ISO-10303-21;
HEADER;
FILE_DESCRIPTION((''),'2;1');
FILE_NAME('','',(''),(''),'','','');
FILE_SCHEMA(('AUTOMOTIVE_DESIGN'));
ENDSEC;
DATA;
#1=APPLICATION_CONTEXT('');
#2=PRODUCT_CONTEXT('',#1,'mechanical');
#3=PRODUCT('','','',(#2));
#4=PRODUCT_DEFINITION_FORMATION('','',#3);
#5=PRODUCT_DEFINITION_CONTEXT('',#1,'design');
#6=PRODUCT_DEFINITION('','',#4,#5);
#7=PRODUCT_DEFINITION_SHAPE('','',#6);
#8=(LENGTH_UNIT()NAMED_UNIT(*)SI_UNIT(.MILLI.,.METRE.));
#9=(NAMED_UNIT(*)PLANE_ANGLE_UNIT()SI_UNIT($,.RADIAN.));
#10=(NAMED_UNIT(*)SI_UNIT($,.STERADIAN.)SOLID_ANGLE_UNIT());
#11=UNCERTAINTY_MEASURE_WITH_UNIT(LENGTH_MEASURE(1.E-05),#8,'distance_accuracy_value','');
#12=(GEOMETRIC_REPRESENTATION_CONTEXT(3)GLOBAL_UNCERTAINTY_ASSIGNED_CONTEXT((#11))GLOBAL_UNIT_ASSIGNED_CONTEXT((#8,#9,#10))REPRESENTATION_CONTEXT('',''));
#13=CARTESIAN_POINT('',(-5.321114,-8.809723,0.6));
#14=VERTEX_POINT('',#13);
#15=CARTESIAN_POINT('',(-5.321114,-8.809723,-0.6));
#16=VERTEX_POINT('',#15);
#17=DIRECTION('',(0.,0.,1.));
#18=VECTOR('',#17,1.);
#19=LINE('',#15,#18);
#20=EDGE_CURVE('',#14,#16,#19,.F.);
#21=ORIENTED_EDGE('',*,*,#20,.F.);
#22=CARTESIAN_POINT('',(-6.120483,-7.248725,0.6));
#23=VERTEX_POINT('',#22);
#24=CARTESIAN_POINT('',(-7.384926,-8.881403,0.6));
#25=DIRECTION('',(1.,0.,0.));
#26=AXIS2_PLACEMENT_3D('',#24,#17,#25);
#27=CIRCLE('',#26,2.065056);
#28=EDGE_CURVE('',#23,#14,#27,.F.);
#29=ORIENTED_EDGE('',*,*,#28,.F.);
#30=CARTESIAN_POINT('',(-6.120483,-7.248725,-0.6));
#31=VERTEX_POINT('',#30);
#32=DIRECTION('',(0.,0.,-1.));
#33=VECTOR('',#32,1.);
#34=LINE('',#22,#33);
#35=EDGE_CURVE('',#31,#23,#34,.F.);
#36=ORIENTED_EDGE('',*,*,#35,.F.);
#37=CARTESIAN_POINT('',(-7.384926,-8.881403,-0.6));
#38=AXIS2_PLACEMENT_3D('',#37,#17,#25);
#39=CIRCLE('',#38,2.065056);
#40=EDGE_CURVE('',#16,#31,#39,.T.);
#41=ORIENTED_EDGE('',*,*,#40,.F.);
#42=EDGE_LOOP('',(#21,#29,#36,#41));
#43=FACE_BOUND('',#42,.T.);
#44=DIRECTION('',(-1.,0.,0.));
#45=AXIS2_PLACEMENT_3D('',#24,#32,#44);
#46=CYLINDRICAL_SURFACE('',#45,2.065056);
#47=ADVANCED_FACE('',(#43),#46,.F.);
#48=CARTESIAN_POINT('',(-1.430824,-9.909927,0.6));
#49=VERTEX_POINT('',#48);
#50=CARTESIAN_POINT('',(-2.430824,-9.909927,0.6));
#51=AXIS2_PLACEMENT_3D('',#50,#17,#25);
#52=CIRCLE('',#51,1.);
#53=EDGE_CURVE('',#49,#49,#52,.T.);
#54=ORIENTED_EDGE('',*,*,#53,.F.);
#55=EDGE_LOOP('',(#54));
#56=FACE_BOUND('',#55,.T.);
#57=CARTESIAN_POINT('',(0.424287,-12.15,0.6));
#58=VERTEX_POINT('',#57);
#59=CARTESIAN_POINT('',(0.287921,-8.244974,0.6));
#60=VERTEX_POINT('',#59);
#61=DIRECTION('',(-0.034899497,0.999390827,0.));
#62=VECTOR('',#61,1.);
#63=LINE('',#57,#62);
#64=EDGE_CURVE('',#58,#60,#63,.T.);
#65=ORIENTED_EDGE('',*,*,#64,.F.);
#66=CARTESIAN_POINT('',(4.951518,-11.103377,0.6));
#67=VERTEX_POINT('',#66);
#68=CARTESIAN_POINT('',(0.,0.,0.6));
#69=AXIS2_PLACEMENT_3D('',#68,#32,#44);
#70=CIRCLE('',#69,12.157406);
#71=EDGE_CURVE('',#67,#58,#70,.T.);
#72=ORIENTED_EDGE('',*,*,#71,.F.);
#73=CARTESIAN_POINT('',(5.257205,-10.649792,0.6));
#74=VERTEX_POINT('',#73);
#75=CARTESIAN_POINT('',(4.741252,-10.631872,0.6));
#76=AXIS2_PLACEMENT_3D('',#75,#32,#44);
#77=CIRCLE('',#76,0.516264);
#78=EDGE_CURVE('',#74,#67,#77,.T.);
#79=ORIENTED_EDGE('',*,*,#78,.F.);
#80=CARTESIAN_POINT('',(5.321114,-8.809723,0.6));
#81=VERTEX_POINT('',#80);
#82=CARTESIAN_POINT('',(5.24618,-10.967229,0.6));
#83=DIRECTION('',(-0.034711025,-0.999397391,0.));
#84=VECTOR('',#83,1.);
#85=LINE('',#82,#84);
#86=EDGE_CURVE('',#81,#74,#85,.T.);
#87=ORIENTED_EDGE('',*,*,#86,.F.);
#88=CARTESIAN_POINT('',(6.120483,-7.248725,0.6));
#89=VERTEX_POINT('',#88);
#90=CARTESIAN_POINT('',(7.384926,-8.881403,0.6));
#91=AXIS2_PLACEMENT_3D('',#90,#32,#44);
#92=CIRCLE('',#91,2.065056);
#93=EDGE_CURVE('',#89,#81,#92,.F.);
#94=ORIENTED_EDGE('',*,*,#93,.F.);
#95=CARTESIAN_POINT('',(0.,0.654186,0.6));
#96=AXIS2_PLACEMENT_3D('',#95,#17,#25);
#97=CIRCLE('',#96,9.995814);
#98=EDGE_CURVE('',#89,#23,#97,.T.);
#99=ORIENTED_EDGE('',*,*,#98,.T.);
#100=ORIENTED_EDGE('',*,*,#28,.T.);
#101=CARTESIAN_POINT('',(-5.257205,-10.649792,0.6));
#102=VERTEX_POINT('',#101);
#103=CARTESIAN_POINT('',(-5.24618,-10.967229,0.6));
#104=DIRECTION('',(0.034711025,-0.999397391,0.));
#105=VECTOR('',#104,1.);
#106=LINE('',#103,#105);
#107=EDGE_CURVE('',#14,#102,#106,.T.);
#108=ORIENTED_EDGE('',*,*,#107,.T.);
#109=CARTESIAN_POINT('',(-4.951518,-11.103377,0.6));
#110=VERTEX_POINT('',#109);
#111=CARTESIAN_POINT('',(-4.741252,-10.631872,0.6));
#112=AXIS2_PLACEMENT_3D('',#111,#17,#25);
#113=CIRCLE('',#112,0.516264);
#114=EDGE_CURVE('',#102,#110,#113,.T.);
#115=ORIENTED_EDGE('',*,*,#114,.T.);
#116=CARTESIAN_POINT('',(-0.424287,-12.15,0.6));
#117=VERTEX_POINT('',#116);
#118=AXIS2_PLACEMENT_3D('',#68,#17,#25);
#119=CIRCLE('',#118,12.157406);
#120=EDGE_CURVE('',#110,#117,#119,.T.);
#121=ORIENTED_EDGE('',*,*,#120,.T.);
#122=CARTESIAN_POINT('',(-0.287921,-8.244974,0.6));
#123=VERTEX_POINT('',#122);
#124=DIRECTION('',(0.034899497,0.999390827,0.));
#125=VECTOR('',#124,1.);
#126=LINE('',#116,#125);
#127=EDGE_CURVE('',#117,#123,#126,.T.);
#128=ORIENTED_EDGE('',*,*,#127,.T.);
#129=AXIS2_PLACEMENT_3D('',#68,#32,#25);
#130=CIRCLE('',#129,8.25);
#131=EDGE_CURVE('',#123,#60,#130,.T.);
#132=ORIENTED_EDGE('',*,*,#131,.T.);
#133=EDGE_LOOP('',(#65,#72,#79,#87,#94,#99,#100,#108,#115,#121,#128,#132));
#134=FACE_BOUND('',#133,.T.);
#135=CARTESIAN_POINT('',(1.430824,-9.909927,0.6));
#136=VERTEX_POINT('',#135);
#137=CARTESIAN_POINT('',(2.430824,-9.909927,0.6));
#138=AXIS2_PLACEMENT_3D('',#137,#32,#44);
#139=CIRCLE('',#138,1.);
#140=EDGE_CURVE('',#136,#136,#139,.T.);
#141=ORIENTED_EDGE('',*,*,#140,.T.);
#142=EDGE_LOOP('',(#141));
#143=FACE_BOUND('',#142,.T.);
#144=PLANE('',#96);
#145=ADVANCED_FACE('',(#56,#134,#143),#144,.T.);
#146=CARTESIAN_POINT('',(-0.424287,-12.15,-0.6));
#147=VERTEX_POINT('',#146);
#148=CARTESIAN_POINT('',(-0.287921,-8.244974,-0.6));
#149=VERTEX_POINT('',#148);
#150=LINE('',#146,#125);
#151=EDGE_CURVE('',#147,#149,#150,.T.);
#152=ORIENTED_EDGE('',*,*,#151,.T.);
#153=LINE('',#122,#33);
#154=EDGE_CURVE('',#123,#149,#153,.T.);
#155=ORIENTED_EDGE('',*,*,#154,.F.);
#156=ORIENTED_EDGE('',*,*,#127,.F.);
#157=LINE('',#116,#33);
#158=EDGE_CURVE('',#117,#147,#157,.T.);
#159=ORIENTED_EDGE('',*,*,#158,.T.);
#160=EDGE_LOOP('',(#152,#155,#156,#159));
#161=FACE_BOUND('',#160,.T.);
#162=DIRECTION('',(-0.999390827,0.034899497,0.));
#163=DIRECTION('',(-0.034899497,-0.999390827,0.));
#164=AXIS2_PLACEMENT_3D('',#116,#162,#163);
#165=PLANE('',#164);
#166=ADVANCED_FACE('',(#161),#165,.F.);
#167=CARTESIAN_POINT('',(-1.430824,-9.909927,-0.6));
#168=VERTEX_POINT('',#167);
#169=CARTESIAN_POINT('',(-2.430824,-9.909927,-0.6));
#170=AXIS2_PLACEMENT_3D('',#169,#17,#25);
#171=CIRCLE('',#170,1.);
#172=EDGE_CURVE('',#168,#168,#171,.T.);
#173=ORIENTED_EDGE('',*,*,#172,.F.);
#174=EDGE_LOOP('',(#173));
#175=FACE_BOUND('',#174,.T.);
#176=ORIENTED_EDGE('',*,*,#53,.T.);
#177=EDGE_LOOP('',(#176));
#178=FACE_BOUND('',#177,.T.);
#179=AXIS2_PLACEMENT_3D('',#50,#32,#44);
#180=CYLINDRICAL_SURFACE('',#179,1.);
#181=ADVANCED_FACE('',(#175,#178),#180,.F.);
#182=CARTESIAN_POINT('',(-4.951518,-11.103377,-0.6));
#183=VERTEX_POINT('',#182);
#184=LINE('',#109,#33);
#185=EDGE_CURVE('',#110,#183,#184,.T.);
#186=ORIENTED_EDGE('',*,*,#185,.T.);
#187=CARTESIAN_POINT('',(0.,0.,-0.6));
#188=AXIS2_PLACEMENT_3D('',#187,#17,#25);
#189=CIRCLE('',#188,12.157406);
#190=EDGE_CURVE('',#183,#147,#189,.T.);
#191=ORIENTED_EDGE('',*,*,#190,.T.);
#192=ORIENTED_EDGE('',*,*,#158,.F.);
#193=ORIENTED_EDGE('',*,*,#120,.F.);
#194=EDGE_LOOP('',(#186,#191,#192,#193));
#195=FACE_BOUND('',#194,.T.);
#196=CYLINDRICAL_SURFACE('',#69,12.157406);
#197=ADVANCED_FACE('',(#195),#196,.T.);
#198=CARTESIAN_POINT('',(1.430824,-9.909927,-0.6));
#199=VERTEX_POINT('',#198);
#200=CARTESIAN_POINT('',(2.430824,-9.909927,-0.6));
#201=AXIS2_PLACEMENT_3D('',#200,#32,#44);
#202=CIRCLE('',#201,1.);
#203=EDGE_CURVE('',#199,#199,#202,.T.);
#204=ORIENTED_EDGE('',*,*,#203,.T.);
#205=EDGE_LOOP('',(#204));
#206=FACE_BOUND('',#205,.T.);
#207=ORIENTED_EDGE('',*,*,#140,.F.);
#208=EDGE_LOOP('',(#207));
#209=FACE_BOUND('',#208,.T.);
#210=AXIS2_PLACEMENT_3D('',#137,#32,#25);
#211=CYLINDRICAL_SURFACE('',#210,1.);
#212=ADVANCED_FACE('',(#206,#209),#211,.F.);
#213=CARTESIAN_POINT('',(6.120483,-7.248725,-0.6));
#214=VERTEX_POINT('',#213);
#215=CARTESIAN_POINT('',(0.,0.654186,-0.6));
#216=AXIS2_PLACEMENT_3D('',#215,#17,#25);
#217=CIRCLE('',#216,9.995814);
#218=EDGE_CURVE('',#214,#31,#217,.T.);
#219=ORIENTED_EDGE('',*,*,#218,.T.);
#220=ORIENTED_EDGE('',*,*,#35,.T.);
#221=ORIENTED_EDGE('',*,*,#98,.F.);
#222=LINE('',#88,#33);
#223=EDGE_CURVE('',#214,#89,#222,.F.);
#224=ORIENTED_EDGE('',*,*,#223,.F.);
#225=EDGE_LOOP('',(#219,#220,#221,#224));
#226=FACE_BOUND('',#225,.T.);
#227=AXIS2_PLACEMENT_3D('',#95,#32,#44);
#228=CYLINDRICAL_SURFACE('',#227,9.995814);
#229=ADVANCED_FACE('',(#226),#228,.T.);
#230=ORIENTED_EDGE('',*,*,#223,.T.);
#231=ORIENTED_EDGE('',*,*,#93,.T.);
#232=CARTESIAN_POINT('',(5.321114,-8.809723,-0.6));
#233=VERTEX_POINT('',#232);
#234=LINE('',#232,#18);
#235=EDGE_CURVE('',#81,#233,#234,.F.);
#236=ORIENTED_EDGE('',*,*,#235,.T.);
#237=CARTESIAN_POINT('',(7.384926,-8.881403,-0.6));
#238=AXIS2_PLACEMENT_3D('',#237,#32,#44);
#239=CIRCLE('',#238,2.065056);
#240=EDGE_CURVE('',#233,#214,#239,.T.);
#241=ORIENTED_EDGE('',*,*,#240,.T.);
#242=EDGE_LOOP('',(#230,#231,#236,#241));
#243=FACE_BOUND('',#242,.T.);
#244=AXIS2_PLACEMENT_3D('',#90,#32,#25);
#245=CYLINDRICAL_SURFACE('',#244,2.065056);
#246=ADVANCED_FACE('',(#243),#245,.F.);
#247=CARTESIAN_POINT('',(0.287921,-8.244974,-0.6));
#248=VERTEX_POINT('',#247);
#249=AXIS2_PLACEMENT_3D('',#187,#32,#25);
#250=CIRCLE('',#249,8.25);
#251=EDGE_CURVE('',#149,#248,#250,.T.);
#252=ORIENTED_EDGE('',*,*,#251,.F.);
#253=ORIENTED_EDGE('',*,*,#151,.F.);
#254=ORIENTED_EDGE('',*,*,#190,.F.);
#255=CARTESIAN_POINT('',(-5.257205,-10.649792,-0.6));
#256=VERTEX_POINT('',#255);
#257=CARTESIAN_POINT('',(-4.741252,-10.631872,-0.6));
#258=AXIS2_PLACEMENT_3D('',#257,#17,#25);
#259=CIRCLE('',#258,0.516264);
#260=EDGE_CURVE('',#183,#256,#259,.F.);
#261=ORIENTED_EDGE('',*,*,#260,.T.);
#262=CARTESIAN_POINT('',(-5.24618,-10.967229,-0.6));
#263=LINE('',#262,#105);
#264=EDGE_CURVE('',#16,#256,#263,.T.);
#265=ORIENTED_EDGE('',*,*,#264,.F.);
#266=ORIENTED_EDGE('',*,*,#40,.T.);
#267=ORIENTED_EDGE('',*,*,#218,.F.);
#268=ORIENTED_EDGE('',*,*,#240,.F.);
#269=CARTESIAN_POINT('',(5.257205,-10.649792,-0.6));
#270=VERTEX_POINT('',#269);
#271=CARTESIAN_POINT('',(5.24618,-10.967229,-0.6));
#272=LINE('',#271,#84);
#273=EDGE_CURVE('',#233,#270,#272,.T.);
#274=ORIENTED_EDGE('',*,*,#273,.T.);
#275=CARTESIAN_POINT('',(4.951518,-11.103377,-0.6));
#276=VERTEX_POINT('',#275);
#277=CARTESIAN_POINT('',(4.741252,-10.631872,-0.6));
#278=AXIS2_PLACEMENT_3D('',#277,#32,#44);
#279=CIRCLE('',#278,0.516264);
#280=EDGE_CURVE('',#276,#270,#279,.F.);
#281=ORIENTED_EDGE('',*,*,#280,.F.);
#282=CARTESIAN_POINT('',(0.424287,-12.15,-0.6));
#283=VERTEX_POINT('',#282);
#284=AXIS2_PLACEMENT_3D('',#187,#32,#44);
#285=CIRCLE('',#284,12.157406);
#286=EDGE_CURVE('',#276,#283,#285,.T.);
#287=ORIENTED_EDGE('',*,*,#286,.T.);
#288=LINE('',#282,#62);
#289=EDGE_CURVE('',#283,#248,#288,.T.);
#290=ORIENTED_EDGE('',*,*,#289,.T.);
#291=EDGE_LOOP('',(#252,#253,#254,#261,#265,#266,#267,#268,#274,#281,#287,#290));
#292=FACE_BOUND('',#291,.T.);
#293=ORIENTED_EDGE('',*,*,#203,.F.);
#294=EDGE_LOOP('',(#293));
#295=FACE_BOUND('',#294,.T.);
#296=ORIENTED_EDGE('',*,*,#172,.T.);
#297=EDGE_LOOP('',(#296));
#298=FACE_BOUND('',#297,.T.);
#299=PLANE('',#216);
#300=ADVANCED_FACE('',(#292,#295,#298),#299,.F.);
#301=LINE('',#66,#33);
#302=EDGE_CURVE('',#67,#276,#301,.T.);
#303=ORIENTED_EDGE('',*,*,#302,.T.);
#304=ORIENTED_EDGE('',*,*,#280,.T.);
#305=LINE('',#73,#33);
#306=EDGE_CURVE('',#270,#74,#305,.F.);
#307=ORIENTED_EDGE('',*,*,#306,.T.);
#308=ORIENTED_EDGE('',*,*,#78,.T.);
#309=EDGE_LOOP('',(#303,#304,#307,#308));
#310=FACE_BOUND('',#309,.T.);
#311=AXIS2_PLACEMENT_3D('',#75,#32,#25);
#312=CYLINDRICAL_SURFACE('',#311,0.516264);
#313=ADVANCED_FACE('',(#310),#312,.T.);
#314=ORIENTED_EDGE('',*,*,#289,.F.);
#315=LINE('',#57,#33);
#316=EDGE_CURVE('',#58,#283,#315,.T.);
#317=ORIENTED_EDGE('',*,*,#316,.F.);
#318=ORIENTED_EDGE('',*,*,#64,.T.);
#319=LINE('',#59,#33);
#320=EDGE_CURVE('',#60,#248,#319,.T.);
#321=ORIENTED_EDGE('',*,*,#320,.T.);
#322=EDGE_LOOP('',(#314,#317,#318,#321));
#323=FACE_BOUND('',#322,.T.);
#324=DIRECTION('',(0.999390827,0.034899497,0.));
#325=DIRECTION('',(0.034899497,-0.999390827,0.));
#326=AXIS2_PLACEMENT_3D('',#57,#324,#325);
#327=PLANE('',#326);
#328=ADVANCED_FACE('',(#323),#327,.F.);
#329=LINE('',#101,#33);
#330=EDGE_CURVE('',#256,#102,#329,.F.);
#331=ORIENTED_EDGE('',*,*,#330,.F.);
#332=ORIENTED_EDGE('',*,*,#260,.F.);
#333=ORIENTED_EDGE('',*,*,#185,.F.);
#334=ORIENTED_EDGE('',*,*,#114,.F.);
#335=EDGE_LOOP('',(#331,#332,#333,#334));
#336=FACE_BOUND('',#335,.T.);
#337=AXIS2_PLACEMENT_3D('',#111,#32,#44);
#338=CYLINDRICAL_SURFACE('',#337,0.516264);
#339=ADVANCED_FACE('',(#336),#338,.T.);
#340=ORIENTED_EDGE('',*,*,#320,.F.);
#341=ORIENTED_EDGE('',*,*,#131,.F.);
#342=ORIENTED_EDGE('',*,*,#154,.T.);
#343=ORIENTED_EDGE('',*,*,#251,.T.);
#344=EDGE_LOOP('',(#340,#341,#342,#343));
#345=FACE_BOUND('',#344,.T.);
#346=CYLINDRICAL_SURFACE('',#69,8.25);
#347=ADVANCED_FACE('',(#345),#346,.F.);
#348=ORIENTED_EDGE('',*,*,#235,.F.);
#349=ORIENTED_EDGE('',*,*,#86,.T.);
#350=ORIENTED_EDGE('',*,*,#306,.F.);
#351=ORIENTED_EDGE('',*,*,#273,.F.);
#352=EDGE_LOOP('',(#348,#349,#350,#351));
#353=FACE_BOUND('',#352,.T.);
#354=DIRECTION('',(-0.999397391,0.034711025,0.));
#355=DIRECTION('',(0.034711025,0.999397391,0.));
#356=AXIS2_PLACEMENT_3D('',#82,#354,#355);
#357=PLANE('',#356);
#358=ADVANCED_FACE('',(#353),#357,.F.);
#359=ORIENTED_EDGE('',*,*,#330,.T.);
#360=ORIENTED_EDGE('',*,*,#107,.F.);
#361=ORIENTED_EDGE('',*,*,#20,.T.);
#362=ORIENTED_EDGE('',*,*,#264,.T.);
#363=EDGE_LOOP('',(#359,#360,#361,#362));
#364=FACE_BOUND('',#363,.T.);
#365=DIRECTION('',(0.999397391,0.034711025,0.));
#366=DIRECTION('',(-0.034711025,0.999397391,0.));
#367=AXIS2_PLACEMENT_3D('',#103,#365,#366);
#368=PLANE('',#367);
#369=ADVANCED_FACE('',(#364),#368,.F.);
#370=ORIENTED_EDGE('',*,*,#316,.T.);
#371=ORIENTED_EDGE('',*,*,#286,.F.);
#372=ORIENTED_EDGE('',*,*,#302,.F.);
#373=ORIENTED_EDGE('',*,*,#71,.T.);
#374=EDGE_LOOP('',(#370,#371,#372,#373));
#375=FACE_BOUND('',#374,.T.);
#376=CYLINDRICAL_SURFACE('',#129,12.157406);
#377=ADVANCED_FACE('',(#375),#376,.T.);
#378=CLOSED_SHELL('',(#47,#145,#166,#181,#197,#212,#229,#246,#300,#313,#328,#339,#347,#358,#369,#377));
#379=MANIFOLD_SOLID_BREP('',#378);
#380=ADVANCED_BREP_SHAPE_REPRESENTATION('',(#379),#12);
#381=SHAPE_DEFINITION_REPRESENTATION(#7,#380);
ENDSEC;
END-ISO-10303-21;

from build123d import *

# Parameters (mm, degrees)
SKETCH4_R           = 1
BOSS_EXTRUDE1_DEPTH = 0.6
FILLET1_R           = 2.065056386
FILLET2_R           = 0.516264097


with BuildPart() as part:
    # Sketch4 → Boss-Extrude1 (new, symmetric)
    with BuildSketch(Plane.XY):
        with BuildLine():
            Line((-5.246180053, -10.967229122), (-5.356700553, -7.785130647))
            ThreePointArc((-5.356700553, -7.785130647), (-9.598805691, 3.443313149), (0, 10.65))
            Line((0, 10.65), (0, 8.25))
            ThreePointArc((0, 8.25), (-8.248743485, 0.143982353), (-0.287920848, -8.244974323))
            Line((-0.287920848, -8.244974323), (-0.424287349, -12.15))
            ThreePointArc((-0.424287349, -12.15), (-2.896253939, -11.807380441), (-5.246180053, -10.967229122))
        make_face()
        with Locations((-2.430824062, -9.909926787)):
            Circle(SKETCH4_R, mode=Mode.SUBTRACT)
    extrude(amount=BOSS_EXTRUDE1_DEPTH, both=True)

    # Fillet1
    fillet1_edges = [part.edges().sort_by_distance(p)[0] for p in [
        (-5.356700553, -7.785130647, 0),
    ]]
    fillet(fillet1_edges, radius=FILLET1_R)

    # Fillet2
    fillet2_edges = [part.edges().sort_by_distance(p)[0] for p in [
        (-5.246180053, -10.967229122, 0),
    ]]
    fillet(fillet2_edges, radius=FILLET2_R)

    # Mirror1: part across plane


with BuildPart() as part_1:
    add(part.part)
    add(part.part.mirror(Plane(origin=(0, 10.65, 0.6), x_dir=(0, 0, 1), z_dir=(-1, 0, 0))))


solid = part_1.part
